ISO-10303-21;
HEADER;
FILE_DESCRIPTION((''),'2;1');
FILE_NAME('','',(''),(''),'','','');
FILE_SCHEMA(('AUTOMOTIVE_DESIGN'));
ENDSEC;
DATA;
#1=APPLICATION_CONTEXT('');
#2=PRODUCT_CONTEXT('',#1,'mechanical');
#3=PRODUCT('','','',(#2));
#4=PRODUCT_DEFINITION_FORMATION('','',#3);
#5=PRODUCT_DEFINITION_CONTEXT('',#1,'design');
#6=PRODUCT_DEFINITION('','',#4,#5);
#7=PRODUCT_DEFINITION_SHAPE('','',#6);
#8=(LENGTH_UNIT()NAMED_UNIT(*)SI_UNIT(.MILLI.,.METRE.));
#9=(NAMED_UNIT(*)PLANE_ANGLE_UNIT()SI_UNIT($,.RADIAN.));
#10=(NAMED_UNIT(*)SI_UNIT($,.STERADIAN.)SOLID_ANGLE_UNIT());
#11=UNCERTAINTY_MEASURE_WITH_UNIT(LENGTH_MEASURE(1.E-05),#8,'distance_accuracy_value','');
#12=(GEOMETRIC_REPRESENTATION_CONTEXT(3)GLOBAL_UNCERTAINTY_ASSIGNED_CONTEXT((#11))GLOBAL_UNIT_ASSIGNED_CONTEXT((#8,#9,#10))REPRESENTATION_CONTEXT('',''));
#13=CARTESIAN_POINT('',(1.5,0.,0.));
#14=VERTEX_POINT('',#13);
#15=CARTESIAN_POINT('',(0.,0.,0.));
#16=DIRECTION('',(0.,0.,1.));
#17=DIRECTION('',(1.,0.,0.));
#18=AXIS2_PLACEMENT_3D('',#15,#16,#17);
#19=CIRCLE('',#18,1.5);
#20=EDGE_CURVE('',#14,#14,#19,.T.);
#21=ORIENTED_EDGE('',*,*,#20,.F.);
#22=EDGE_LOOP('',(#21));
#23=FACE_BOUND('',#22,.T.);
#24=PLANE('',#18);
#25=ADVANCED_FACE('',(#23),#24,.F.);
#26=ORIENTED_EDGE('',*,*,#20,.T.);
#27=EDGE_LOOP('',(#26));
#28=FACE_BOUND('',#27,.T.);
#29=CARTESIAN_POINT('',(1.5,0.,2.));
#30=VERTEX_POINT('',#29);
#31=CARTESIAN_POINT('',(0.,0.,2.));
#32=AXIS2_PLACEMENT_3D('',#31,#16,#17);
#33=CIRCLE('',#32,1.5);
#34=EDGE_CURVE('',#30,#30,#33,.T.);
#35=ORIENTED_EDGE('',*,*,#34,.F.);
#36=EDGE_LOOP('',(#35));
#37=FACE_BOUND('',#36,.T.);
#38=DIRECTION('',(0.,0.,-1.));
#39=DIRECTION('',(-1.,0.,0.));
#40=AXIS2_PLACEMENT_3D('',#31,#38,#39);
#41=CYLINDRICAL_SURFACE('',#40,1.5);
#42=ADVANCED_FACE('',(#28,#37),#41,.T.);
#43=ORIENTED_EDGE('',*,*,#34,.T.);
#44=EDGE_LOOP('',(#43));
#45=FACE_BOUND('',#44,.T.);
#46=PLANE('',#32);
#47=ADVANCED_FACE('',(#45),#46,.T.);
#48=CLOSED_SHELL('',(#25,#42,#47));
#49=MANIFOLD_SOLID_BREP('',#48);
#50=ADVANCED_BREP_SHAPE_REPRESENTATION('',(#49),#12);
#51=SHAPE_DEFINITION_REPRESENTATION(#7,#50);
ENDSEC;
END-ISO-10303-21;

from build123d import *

# Parameters (mm, degrees)
ESQUISSE1_R      = 1.5
EXTRUSION1_DEPTH = 2


with BuildPart() as part:
    # Esquisse1 → Extrusion1 (new body)
    with BuildSketch(Plane.XY):
        Circle(ESQUISSE1_R)
    extrude(amount=EXTRUSION1_DEPTH)


solid = part.part
